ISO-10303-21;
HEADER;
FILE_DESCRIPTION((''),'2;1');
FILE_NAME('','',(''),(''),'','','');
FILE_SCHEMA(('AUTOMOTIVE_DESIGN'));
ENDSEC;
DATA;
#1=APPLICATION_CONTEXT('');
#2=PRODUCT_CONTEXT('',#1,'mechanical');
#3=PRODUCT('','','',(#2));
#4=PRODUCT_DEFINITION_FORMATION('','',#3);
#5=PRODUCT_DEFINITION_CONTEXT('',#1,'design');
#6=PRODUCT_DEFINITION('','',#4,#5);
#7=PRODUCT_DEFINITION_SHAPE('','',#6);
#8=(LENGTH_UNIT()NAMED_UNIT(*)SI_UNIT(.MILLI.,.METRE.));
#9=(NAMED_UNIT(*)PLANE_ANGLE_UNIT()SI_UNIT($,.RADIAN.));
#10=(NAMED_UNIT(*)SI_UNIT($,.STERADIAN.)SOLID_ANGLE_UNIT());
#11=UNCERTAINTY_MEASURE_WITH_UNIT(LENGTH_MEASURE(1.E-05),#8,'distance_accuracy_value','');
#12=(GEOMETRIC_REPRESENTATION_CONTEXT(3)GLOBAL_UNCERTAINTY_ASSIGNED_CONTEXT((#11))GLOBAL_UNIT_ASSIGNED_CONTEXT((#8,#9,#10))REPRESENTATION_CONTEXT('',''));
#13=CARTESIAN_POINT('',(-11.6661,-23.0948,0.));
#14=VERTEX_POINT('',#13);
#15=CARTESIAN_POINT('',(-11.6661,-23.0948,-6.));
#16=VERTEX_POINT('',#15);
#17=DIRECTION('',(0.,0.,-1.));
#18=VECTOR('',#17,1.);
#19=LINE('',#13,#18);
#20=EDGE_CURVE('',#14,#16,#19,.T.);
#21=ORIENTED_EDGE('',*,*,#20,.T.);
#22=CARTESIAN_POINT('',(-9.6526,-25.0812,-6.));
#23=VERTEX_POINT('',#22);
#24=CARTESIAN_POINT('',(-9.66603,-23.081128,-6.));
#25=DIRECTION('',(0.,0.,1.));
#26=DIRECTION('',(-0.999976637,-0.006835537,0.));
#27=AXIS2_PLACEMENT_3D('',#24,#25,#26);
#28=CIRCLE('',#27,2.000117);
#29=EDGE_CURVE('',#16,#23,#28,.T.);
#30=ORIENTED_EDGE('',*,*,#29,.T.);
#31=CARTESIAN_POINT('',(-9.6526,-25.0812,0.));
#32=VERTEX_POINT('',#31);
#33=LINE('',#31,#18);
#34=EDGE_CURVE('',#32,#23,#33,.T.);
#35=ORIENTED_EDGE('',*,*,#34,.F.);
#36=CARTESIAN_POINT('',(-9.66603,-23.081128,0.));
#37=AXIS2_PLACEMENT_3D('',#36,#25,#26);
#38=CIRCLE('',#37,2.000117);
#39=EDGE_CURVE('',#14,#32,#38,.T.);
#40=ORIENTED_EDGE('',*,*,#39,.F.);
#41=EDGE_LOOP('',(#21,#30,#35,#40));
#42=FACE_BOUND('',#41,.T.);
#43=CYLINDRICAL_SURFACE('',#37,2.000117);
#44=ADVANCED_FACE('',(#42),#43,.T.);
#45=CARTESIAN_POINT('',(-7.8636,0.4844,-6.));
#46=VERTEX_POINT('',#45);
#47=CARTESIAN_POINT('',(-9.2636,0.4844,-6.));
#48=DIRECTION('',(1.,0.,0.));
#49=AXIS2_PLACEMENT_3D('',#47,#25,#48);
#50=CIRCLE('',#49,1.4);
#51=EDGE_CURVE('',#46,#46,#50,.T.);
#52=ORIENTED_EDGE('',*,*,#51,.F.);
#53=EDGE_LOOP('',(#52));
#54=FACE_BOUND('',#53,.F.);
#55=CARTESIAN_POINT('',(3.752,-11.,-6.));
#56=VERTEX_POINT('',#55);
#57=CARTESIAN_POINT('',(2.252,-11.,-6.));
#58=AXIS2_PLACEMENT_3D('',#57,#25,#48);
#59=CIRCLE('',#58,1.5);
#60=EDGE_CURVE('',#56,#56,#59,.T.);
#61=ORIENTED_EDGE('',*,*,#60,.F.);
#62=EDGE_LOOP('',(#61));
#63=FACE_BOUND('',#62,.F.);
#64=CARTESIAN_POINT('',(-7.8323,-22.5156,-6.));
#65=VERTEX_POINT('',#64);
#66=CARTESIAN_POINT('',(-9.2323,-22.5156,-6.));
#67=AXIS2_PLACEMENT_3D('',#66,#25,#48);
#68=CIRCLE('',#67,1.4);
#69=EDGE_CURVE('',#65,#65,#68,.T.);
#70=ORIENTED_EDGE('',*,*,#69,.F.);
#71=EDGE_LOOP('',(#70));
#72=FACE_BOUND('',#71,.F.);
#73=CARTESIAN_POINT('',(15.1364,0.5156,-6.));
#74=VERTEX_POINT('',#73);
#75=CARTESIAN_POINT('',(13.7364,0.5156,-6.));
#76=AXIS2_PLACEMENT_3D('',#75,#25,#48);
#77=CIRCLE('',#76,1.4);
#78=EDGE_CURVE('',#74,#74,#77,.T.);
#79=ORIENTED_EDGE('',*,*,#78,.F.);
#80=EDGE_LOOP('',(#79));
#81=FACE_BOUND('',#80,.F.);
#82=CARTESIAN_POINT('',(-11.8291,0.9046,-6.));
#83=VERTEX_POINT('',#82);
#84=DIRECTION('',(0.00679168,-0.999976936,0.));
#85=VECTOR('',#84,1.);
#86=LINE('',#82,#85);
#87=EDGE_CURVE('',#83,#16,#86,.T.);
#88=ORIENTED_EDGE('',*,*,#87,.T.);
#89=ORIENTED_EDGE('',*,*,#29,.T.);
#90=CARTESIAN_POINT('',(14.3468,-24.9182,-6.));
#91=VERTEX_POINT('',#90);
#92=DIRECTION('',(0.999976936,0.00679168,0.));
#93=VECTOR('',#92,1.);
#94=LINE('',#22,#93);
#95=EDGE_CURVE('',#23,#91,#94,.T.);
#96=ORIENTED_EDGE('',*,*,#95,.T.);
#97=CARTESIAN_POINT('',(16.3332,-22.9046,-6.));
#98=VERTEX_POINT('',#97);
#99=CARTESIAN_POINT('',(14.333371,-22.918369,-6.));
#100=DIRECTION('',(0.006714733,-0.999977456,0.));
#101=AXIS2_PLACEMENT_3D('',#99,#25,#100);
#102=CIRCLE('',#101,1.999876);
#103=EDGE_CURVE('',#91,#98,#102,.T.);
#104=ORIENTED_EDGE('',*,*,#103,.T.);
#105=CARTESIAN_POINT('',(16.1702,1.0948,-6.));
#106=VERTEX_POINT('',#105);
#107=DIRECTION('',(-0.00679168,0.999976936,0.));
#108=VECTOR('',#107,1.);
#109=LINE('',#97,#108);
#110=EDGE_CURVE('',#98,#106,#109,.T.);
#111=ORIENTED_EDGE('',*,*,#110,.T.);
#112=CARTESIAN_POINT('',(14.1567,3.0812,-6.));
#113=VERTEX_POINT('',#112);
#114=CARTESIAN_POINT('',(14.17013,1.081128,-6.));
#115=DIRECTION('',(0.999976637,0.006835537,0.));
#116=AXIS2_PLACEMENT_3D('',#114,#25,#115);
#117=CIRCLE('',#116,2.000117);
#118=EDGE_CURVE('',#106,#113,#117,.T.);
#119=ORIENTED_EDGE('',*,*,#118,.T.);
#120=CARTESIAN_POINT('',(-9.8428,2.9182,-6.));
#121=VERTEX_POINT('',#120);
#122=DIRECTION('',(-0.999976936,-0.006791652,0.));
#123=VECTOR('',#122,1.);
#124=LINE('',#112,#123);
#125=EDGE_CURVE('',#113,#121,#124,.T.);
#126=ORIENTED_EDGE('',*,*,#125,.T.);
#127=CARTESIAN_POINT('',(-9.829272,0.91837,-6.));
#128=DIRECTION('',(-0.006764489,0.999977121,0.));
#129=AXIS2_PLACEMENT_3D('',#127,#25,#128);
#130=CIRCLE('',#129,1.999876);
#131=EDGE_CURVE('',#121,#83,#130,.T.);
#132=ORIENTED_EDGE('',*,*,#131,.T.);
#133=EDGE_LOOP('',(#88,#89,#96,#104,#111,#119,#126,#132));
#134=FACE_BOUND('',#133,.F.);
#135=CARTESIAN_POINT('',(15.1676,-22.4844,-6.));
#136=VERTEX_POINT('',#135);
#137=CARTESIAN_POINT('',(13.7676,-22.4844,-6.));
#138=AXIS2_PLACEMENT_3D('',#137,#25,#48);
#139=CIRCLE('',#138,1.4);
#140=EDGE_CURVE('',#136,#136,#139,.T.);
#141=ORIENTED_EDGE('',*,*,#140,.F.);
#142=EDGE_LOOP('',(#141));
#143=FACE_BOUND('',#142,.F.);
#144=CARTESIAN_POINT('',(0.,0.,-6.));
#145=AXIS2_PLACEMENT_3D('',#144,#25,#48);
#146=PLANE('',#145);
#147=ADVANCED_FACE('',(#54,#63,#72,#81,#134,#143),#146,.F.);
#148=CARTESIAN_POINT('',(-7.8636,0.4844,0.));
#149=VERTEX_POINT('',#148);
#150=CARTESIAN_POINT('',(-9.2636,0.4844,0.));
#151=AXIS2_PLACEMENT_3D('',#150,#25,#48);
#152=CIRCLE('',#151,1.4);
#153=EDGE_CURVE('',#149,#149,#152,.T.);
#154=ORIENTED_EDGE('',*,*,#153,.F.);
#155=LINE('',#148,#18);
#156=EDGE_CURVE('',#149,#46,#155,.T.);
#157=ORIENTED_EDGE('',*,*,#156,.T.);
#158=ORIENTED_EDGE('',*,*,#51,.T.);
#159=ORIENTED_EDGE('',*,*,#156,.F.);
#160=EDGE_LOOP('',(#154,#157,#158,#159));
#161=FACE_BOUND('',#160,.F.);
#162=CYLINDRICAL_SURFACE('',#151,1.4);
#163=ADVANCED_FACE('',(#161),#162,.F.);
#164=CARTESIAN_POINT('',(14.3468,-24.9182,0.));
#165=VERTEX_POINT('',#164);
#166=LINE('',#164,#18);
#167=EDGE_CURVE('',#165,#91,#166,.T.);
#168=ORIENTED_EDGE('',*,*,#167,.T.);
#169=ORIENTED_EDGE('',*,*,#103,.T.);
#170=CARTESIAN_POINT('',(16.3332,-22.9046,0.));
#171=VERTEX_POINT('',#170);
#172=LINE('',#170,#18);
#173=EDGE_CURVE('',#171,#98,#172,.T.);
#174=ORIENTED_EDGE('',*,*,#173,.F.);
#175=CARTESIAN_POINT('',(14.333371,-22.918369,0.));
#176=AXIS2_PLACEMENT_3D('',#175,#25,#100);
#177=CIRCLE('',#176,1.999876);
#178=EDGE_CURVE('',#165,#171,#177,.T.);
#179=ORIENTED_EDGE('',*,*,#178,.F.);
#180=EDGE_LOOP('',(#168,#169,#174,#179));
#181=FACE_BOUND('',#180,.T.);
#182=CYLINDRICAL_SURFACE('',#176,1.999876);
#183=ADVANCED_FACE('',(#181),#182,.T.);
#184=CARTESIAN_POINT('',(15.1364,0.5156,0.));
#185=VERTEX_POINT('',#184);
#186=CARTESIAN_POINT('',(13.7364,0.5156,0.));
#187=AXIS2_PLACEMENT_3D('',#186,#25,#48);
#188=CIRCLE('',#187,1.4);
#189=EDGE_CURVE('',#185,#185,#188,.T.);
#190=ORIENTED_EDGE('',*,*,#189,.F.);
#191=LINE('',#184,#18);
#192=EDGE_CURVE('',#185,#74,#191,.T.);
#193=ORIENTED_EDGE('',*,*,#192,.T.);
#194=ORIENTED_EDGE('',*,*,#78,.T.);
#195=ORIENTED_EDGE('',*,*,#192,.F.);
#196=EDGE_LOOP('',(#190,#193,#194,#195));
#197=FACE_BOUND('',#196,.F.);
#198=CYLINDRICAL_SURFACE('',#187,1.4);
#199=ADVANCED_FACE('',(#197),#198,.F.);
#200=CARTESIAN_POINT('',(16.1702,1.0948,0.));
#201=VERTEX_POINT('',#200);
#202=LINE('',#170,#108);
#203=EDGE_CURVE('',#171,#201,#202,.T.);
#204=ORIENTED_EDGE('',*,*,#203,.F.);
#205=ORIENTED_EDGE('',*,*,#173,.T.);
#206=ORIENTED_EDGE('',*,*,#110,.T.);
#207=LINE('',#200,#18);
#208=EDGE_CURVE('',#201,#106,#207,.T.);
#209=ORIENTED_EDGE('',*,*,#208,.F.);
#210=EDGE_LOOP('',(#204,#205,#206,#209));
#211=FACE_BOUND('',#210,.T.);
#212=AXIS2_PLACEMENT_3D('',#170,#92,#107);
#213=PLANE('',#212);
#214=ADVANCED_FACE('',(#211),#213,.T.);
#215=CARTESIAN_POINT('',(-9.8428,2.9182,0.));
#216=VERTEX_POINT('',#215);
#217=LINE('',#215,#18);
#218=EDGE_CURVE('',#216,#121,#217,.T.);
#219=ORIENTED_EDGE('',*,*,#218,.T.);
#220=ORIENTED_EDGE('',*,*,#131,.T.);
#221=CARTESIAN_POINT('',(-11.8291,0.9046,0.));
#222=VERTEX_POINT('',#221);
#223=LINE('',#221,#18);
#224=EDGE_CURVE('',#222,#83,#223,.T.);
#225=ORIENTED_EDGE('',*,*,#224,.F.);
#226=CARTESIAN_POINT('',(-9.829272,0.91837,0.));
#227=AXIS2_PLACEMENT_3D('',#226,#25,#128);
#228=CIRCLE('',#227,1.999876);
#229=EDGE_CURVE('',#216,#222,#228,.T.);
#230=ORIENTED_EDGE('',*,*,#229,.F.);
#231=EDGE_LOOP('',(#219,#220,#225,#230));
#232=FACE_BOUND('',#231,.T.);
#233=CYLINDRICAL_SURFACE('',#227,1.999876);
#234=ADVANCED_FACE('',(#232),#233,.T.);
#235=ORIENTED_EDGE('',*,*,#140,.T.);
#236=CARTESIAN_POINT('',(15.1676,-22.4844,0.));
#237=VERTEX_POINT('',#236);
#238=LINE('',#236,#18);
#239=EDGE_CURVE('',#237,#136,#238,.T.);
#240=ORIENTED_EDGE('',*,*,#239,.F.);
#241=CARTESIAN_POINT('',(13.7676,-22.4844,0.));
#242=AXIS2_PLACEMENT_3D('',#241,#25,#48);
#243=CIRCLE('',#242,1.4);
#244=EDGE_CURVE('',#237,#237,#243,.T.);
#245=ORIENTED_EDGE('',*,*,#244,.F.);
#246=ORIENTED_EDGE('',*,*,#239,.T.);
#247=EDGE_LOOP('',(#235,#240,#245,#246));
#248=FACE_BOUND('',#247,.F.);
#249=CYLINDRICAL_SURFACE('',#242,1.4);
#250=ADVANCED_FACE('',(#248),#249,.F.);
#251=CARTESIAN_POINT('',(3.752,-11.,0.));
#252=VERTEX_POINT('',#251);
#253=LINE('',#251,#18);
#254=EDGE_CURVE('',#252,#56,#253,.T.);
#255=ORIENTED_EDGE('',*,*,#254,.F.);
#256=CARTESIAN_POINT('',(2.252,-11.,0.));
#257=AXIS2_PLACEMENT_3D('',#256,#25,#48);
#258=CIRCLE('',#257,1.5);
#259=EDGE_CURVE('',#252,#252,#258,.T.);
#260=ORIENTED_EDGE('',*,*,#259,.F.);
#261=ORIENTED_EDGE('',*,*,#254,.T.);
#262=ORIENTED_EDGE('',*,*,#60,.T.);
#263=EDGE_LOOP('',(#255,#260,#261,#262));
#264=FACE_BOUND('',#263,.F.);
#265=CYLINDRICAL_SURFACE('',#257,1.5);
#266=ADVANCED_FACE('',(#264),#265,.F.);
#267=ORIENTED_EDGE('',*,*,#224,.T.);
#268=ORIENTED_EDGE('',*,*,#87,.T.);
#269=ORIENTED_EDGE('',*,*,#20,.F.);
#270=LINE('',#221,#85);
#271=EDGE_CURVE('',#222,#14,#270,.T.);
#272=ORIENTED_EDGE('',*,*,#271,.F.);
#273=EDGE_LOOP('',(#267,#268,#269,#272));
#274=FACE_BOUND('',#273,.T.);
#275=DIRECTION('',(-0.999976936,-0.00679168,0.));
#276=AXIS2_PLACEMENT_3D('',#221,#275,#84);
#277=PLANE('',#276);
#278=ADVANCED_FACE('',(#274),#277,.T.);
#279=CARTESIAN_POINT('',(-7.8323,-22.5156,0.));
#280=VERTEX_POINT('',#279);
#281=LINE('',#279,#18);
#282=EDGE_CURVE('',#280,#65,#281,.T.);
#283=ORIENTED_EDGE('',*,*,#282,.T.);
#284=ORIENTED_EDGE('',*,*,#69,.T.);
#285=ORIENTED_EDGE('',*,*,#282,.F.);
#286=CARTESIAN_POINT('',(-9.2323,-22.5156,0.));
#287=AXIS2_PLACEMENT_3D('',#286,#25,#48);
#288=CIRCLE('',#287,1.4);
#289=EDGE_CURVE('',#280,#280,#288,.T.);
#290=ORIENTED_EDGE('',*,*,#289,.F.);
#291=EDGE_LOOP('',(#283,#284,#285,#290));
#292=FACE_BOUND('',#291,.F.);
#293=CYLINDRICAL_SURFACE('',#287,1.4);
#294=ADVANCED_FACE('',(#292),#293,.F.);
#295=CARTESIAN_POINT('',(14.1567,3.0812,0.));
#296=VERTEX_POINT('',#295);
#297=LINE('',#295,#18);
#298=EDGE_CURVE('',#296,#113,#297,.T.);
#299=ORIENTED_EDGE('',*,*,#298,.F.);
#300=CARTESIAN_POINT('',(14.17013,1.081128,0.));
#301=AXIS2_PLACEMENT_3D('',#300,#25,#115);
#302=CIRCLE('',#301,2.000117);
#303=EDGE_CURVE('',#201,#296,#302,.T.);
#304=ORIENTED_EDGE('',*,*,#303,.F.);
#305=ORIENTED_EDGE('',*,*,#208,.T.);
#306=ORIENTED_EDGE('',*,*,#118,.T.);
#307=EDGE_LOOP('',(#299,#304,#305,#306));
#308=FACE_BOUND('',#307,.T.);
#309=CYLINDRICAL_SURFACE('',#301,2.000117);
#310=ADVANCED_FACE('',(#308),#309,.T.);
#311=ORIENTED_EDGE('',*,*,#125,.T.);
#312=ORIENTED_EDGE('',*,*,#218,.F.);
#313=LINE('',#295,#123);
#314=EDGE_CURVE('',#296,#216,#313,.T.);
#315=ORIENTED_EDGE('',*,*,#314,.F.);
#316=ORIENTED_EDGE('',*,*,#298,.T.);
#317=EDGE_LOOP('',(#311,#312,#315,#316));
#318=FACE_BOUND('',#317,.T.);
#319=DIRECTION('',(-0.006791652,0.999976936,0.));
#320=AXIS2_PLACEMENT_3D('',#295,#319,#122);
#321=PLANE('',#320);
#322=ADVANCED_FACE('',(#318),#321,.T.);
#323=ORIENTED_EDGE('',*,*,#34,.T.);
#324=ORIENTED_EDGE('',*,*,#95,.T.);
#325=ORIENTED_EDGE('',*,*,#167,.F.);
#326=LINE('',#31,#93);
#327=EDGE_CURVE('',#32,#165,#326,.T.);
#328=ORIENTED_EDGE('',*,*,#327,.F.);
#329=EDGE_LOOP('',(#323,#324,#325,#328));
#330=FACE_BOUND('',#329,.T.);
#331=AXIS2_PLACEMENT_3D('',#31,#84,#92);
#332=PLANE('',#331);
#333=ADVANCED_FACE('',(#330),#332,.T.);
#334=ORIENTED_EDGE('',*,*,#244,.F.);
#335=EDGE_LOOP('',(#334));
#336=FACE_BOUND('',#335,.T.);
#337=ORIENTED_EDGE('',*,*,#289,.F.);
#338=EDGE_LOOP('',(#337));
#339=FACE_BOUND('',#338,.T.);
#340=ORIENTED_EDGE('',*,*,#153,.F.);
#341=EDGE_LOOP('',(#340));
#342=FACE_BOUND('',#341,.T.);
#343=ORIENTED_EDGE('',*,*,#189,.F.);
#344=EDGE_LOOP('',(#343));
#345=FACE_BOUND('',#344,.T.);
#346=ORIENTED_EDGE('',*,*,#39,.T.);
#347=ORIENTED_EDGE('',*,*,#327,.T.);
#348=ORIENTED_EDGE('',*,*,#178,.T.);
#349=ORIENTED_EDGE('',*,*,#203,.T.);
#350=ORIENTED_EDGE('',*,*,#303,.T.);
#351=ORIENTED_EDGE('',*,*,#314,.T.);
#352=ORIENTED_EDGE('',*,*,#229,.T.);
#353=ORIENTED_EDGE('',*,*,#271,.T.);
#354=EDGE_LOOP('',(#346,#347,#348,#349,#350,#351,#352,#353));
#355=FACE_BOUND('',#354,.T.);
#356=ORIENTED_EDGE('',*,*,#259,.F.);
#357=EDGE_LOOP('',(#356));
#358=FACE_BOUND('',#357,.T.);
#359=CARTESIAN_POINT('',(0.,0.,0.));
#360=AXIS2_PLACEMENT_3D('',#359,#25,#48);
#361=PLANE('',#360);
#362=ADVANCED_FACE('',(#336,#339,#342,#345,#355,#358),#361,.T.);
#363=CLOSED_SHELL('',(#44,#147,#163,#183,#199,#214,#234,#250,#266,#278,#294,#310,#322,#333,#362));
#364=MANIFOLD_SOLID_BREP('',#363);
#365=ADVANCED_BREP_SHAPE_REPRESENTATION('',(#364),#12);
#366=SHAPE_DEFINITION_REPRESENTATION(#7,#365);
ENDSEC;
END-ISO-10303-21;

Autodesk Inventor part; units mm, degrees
ref_plane "YZ Plane" through (0, 0, 0) normal (1, 0, 0) x (0, 1, 0)
ref_plane "XZ Plane" through (0, 0, 0) normal (0, 1, 0) x (-1, 0, 0)
ref_plane "XY Plane" through (0, 0, 0) normal (0, 0, 1) x (1, 0, 0)
ref_plane "Arbeitsebene1" through (0, 0, 0) normal (0, 0, 1) x (1, 0, 0)
sketch "Skizze1" plane through (0, 0, 0) normal (0, 0, 1) x (1, 0, 0)
  line L0 (11.7109, -4.9124) -> (9.211, -4.9293) projected
  line L1 (9.211, -4.9293) -> (9.1974, -2.9294) projected
  line L2 (9.1974, -2.9294) -> (-3.8023, -3.0177) projected
  line L3 (-3.8023, -3.0177) -> (-3.8306, 1.1495) projected
  line L4 (-3.8306, 1.1495) -> (-6.8306, 1.1291) projected
  line L5 (-6.8306, 1.1291) -> (-6.6653, -23.2049) projected
  line L6 (-6.6653, -23.2049) -> (-3.6653, -23.1845) projected
  line L7 (-3.6653, -23.1845) -> (-3.6937, -19.0173) projected
  line L8 (-3.6937, -19.0173) -> (9.306, -18.929) projected
  line L9 (9.306, -18.929) -> (9.2925, -16.9291) projected
  line L10 (9.2925, -16.9291) -> (11.7924, -16.9121) projected
  line L11 (11.7924, -16.9121) -> (11.7109, -4.9124) projected
  circle A0 centre (13.7364, 0.5156) radius 1.025 projected
  circle A1 centre (13.7676, -22.4844) radius 1.025 projected
  circle A2 centre (-9.2323, -22.5156) radius 1.025 projected
  circle A3 centre (-9.2636, 0.4844) radius 1.025 projected
  line L12 (-11.8291, 0.9046) -> (-11.6661, -23.0948) projected
  arc A4 (-9.8428, 2.9182) -> (-11.8291, 0.9046) centre (-9.8292, 0.9182) ccw projected
  line L13 (14.1567, 3.0812) -> (-9.8428, 2.9182) projected
  arc A5 (16.1702, 1.0948) -> (14.1567, 3.0812) centre (14.1703, 1.0812) ccw projected
  line L14 (16.3332, -22.9046) -> (16.1702, 1.0948) projected
  arc A6 (14.3468, -24.9182) -> (16.3332, -22.9046) centre (14.3333, -22.9182) ccw projected
  line L15 (-9.6526, -25.0812) -> (14.3468, -24.9182) projected
  arc A7 (-11.6661, -23.0948) -> (-9.6526, -25.0812) centre (-9.6662, -23.0812) ccw projected
  circle A8 centre (2.252, -11) radius 7.5 projected
  circle A9 centre (2.252, -11) radius 1.5
  circle A10 centre (-9.2323, -22.5156) radius 1.4
  circle A11 centre (13.7676, -22.4844) radius 1.4
  circle A12 centre (-9.2636, 0.4844) radius 1.4
  circle A13 centre (13.7364, 0.5156) radius 1.4
  point P0 (0, 0)
  dimension "d0" = 3
  dimension "d1" = 2.8
  dimension "d2" = 2.8
  dimension "d3" = 2.8
  dimension "d4" = 2.8
extrude "Extrusion1" add sketch "Skizze1" against normal blind 6 contours L11 L10 L9 L8 L7 L6 L5 L4 L3 L2 L1 L0 | A4 L13 A5 L14 A6 L15 A7 L12 | A8
properties part number "00_Micro_Stepper_15mm_Gearbox_counterbearing"
